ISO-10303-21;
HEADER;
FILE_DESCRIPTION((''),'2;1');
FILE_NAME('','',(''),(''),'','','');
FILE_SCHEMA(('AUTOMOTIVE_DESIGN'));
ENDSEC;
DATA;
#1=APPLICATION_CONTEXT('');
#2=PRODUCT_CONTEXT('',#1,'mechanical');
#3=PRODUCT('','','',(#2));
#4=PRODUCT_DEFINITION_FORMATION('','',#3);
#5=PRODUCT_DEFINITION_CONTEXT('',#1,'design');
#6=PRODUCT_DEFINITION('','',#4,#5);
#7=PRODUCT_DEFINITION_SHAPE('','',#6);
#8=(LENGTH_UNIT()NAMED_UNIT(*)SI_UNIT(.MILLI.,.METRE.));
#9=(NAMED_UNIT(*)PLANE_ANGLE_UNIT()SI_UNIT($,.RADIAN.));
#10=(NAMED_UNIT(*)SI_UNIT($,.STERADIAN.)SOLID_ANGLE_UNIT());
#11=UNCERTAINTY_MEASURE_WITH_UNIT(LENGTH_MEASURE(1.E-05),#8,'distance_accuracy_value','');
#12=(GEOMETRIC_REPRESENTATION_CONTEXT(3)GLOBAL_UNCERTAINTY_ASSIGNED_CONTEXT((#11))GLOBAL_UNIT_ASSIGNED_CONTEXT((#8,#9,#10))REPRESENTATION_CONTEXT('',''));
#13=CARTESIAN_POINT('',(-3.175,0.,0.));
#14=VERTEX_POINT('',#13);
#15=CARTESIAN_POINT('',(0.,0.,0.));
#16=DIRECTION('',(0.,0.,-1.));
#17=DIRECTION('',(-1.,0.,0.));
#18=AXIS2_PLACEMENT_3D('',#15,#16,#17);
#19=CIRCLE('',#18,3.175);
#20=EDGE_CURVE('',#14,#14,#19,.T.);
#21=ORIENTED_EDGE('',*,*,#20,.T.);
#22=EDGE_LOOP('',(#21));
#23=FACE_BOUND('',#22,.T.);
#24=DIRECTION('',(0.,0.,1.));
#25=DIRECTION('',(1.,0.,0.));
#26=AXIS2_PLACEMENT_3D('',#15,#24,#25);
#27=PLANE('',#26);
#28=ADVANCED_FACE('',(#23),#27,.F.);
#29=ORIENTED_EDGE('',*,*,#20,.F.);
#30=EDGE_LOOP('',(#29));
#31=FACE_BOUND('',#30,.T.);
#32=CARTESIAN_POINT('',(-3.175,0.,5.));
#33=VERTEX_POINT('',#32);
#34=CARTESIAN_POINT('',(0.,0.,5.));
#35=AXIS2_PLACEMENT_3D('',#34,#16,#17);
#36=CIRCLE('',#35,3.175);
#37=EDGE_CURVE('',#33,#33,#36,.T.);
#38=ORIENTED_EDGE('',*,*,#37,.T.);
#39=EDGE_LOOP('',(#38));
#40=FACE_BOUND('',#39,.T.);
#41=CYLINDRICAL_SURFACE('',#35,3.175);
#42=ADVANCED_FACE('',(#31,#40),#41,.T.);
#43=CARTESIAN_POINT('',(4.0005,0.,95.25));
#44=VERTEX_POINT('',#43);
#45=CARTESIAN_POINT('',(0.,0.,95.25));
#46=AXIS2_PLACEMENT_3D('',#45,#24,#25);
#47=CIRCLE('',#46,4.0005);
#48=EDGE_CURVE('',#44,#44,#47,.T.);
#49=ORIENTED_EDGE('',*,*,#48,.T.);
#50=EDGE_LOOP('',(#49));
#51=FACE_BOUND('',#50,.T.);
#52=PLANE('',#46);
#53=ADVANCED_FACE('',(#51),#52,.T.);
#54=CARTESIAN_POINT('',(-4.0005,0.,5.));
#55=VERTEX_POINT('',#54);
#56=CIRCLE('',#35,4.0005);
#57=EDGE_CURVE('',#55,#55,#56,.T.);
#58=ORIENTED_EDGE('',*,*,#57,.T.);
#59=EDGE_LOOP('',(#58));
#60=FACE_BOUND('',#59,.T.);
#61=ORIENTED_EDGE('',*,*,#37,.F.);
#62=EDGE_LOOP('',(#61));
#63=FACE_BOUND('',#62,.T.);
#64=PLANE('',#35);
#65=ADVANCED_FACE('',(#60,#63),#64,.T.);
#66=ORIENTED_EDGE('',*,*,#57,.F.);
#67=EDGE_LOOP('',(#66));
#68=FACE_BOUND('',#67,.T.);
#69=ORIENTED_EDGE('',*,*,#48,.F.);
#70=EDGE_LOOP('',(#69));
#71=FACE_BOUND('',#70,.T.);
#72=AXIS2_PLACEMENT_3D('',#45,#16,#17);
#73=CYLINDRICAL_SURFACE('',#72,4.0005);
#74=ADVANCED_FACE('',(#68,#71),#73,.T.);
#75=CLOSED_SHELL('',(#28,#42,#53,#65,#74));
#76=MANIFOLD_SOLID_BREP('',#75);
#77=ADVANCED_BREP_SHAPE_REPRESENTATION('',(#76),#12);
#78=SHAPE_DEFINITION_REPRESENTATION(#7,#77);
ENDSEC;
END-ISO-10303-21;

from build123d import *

# Parameters (mm, degrees)
SKETCH1_R           = 4.0005
BOSS_EXTRUDE1_DEPTH = 95.25
SKETCH2_R           = 6.466915926
SKETCH2_R_2         = 3.175
CUT_EXTRUDE1_DEPTH  = 5


with BuildPart() as part:
    # Sketch1 → Boss-Extrude1 (new body)
    with BuildSketch(Plane.XY):
        Circle(SKETCH1_R)
    extrude(amount=BOSS_EXTRUDE1_DEPTH)

    # Sketch2 → Cut-Extrude1 (cut)
    with BuildSketch(Plane(origin=(0, 0, 0), x_dir=(-1, 0, 0), z_dir=(0, 0, -1))):
        Circle(SKETCH2_R)
        Circle(SKETCH2_R_2, mode=Mode.SUBTRACT)
    extrude(amount=-CUT_EXTRUDE1_DEPTH, mode=Mode.SUBTRACT)


solid = part.part
